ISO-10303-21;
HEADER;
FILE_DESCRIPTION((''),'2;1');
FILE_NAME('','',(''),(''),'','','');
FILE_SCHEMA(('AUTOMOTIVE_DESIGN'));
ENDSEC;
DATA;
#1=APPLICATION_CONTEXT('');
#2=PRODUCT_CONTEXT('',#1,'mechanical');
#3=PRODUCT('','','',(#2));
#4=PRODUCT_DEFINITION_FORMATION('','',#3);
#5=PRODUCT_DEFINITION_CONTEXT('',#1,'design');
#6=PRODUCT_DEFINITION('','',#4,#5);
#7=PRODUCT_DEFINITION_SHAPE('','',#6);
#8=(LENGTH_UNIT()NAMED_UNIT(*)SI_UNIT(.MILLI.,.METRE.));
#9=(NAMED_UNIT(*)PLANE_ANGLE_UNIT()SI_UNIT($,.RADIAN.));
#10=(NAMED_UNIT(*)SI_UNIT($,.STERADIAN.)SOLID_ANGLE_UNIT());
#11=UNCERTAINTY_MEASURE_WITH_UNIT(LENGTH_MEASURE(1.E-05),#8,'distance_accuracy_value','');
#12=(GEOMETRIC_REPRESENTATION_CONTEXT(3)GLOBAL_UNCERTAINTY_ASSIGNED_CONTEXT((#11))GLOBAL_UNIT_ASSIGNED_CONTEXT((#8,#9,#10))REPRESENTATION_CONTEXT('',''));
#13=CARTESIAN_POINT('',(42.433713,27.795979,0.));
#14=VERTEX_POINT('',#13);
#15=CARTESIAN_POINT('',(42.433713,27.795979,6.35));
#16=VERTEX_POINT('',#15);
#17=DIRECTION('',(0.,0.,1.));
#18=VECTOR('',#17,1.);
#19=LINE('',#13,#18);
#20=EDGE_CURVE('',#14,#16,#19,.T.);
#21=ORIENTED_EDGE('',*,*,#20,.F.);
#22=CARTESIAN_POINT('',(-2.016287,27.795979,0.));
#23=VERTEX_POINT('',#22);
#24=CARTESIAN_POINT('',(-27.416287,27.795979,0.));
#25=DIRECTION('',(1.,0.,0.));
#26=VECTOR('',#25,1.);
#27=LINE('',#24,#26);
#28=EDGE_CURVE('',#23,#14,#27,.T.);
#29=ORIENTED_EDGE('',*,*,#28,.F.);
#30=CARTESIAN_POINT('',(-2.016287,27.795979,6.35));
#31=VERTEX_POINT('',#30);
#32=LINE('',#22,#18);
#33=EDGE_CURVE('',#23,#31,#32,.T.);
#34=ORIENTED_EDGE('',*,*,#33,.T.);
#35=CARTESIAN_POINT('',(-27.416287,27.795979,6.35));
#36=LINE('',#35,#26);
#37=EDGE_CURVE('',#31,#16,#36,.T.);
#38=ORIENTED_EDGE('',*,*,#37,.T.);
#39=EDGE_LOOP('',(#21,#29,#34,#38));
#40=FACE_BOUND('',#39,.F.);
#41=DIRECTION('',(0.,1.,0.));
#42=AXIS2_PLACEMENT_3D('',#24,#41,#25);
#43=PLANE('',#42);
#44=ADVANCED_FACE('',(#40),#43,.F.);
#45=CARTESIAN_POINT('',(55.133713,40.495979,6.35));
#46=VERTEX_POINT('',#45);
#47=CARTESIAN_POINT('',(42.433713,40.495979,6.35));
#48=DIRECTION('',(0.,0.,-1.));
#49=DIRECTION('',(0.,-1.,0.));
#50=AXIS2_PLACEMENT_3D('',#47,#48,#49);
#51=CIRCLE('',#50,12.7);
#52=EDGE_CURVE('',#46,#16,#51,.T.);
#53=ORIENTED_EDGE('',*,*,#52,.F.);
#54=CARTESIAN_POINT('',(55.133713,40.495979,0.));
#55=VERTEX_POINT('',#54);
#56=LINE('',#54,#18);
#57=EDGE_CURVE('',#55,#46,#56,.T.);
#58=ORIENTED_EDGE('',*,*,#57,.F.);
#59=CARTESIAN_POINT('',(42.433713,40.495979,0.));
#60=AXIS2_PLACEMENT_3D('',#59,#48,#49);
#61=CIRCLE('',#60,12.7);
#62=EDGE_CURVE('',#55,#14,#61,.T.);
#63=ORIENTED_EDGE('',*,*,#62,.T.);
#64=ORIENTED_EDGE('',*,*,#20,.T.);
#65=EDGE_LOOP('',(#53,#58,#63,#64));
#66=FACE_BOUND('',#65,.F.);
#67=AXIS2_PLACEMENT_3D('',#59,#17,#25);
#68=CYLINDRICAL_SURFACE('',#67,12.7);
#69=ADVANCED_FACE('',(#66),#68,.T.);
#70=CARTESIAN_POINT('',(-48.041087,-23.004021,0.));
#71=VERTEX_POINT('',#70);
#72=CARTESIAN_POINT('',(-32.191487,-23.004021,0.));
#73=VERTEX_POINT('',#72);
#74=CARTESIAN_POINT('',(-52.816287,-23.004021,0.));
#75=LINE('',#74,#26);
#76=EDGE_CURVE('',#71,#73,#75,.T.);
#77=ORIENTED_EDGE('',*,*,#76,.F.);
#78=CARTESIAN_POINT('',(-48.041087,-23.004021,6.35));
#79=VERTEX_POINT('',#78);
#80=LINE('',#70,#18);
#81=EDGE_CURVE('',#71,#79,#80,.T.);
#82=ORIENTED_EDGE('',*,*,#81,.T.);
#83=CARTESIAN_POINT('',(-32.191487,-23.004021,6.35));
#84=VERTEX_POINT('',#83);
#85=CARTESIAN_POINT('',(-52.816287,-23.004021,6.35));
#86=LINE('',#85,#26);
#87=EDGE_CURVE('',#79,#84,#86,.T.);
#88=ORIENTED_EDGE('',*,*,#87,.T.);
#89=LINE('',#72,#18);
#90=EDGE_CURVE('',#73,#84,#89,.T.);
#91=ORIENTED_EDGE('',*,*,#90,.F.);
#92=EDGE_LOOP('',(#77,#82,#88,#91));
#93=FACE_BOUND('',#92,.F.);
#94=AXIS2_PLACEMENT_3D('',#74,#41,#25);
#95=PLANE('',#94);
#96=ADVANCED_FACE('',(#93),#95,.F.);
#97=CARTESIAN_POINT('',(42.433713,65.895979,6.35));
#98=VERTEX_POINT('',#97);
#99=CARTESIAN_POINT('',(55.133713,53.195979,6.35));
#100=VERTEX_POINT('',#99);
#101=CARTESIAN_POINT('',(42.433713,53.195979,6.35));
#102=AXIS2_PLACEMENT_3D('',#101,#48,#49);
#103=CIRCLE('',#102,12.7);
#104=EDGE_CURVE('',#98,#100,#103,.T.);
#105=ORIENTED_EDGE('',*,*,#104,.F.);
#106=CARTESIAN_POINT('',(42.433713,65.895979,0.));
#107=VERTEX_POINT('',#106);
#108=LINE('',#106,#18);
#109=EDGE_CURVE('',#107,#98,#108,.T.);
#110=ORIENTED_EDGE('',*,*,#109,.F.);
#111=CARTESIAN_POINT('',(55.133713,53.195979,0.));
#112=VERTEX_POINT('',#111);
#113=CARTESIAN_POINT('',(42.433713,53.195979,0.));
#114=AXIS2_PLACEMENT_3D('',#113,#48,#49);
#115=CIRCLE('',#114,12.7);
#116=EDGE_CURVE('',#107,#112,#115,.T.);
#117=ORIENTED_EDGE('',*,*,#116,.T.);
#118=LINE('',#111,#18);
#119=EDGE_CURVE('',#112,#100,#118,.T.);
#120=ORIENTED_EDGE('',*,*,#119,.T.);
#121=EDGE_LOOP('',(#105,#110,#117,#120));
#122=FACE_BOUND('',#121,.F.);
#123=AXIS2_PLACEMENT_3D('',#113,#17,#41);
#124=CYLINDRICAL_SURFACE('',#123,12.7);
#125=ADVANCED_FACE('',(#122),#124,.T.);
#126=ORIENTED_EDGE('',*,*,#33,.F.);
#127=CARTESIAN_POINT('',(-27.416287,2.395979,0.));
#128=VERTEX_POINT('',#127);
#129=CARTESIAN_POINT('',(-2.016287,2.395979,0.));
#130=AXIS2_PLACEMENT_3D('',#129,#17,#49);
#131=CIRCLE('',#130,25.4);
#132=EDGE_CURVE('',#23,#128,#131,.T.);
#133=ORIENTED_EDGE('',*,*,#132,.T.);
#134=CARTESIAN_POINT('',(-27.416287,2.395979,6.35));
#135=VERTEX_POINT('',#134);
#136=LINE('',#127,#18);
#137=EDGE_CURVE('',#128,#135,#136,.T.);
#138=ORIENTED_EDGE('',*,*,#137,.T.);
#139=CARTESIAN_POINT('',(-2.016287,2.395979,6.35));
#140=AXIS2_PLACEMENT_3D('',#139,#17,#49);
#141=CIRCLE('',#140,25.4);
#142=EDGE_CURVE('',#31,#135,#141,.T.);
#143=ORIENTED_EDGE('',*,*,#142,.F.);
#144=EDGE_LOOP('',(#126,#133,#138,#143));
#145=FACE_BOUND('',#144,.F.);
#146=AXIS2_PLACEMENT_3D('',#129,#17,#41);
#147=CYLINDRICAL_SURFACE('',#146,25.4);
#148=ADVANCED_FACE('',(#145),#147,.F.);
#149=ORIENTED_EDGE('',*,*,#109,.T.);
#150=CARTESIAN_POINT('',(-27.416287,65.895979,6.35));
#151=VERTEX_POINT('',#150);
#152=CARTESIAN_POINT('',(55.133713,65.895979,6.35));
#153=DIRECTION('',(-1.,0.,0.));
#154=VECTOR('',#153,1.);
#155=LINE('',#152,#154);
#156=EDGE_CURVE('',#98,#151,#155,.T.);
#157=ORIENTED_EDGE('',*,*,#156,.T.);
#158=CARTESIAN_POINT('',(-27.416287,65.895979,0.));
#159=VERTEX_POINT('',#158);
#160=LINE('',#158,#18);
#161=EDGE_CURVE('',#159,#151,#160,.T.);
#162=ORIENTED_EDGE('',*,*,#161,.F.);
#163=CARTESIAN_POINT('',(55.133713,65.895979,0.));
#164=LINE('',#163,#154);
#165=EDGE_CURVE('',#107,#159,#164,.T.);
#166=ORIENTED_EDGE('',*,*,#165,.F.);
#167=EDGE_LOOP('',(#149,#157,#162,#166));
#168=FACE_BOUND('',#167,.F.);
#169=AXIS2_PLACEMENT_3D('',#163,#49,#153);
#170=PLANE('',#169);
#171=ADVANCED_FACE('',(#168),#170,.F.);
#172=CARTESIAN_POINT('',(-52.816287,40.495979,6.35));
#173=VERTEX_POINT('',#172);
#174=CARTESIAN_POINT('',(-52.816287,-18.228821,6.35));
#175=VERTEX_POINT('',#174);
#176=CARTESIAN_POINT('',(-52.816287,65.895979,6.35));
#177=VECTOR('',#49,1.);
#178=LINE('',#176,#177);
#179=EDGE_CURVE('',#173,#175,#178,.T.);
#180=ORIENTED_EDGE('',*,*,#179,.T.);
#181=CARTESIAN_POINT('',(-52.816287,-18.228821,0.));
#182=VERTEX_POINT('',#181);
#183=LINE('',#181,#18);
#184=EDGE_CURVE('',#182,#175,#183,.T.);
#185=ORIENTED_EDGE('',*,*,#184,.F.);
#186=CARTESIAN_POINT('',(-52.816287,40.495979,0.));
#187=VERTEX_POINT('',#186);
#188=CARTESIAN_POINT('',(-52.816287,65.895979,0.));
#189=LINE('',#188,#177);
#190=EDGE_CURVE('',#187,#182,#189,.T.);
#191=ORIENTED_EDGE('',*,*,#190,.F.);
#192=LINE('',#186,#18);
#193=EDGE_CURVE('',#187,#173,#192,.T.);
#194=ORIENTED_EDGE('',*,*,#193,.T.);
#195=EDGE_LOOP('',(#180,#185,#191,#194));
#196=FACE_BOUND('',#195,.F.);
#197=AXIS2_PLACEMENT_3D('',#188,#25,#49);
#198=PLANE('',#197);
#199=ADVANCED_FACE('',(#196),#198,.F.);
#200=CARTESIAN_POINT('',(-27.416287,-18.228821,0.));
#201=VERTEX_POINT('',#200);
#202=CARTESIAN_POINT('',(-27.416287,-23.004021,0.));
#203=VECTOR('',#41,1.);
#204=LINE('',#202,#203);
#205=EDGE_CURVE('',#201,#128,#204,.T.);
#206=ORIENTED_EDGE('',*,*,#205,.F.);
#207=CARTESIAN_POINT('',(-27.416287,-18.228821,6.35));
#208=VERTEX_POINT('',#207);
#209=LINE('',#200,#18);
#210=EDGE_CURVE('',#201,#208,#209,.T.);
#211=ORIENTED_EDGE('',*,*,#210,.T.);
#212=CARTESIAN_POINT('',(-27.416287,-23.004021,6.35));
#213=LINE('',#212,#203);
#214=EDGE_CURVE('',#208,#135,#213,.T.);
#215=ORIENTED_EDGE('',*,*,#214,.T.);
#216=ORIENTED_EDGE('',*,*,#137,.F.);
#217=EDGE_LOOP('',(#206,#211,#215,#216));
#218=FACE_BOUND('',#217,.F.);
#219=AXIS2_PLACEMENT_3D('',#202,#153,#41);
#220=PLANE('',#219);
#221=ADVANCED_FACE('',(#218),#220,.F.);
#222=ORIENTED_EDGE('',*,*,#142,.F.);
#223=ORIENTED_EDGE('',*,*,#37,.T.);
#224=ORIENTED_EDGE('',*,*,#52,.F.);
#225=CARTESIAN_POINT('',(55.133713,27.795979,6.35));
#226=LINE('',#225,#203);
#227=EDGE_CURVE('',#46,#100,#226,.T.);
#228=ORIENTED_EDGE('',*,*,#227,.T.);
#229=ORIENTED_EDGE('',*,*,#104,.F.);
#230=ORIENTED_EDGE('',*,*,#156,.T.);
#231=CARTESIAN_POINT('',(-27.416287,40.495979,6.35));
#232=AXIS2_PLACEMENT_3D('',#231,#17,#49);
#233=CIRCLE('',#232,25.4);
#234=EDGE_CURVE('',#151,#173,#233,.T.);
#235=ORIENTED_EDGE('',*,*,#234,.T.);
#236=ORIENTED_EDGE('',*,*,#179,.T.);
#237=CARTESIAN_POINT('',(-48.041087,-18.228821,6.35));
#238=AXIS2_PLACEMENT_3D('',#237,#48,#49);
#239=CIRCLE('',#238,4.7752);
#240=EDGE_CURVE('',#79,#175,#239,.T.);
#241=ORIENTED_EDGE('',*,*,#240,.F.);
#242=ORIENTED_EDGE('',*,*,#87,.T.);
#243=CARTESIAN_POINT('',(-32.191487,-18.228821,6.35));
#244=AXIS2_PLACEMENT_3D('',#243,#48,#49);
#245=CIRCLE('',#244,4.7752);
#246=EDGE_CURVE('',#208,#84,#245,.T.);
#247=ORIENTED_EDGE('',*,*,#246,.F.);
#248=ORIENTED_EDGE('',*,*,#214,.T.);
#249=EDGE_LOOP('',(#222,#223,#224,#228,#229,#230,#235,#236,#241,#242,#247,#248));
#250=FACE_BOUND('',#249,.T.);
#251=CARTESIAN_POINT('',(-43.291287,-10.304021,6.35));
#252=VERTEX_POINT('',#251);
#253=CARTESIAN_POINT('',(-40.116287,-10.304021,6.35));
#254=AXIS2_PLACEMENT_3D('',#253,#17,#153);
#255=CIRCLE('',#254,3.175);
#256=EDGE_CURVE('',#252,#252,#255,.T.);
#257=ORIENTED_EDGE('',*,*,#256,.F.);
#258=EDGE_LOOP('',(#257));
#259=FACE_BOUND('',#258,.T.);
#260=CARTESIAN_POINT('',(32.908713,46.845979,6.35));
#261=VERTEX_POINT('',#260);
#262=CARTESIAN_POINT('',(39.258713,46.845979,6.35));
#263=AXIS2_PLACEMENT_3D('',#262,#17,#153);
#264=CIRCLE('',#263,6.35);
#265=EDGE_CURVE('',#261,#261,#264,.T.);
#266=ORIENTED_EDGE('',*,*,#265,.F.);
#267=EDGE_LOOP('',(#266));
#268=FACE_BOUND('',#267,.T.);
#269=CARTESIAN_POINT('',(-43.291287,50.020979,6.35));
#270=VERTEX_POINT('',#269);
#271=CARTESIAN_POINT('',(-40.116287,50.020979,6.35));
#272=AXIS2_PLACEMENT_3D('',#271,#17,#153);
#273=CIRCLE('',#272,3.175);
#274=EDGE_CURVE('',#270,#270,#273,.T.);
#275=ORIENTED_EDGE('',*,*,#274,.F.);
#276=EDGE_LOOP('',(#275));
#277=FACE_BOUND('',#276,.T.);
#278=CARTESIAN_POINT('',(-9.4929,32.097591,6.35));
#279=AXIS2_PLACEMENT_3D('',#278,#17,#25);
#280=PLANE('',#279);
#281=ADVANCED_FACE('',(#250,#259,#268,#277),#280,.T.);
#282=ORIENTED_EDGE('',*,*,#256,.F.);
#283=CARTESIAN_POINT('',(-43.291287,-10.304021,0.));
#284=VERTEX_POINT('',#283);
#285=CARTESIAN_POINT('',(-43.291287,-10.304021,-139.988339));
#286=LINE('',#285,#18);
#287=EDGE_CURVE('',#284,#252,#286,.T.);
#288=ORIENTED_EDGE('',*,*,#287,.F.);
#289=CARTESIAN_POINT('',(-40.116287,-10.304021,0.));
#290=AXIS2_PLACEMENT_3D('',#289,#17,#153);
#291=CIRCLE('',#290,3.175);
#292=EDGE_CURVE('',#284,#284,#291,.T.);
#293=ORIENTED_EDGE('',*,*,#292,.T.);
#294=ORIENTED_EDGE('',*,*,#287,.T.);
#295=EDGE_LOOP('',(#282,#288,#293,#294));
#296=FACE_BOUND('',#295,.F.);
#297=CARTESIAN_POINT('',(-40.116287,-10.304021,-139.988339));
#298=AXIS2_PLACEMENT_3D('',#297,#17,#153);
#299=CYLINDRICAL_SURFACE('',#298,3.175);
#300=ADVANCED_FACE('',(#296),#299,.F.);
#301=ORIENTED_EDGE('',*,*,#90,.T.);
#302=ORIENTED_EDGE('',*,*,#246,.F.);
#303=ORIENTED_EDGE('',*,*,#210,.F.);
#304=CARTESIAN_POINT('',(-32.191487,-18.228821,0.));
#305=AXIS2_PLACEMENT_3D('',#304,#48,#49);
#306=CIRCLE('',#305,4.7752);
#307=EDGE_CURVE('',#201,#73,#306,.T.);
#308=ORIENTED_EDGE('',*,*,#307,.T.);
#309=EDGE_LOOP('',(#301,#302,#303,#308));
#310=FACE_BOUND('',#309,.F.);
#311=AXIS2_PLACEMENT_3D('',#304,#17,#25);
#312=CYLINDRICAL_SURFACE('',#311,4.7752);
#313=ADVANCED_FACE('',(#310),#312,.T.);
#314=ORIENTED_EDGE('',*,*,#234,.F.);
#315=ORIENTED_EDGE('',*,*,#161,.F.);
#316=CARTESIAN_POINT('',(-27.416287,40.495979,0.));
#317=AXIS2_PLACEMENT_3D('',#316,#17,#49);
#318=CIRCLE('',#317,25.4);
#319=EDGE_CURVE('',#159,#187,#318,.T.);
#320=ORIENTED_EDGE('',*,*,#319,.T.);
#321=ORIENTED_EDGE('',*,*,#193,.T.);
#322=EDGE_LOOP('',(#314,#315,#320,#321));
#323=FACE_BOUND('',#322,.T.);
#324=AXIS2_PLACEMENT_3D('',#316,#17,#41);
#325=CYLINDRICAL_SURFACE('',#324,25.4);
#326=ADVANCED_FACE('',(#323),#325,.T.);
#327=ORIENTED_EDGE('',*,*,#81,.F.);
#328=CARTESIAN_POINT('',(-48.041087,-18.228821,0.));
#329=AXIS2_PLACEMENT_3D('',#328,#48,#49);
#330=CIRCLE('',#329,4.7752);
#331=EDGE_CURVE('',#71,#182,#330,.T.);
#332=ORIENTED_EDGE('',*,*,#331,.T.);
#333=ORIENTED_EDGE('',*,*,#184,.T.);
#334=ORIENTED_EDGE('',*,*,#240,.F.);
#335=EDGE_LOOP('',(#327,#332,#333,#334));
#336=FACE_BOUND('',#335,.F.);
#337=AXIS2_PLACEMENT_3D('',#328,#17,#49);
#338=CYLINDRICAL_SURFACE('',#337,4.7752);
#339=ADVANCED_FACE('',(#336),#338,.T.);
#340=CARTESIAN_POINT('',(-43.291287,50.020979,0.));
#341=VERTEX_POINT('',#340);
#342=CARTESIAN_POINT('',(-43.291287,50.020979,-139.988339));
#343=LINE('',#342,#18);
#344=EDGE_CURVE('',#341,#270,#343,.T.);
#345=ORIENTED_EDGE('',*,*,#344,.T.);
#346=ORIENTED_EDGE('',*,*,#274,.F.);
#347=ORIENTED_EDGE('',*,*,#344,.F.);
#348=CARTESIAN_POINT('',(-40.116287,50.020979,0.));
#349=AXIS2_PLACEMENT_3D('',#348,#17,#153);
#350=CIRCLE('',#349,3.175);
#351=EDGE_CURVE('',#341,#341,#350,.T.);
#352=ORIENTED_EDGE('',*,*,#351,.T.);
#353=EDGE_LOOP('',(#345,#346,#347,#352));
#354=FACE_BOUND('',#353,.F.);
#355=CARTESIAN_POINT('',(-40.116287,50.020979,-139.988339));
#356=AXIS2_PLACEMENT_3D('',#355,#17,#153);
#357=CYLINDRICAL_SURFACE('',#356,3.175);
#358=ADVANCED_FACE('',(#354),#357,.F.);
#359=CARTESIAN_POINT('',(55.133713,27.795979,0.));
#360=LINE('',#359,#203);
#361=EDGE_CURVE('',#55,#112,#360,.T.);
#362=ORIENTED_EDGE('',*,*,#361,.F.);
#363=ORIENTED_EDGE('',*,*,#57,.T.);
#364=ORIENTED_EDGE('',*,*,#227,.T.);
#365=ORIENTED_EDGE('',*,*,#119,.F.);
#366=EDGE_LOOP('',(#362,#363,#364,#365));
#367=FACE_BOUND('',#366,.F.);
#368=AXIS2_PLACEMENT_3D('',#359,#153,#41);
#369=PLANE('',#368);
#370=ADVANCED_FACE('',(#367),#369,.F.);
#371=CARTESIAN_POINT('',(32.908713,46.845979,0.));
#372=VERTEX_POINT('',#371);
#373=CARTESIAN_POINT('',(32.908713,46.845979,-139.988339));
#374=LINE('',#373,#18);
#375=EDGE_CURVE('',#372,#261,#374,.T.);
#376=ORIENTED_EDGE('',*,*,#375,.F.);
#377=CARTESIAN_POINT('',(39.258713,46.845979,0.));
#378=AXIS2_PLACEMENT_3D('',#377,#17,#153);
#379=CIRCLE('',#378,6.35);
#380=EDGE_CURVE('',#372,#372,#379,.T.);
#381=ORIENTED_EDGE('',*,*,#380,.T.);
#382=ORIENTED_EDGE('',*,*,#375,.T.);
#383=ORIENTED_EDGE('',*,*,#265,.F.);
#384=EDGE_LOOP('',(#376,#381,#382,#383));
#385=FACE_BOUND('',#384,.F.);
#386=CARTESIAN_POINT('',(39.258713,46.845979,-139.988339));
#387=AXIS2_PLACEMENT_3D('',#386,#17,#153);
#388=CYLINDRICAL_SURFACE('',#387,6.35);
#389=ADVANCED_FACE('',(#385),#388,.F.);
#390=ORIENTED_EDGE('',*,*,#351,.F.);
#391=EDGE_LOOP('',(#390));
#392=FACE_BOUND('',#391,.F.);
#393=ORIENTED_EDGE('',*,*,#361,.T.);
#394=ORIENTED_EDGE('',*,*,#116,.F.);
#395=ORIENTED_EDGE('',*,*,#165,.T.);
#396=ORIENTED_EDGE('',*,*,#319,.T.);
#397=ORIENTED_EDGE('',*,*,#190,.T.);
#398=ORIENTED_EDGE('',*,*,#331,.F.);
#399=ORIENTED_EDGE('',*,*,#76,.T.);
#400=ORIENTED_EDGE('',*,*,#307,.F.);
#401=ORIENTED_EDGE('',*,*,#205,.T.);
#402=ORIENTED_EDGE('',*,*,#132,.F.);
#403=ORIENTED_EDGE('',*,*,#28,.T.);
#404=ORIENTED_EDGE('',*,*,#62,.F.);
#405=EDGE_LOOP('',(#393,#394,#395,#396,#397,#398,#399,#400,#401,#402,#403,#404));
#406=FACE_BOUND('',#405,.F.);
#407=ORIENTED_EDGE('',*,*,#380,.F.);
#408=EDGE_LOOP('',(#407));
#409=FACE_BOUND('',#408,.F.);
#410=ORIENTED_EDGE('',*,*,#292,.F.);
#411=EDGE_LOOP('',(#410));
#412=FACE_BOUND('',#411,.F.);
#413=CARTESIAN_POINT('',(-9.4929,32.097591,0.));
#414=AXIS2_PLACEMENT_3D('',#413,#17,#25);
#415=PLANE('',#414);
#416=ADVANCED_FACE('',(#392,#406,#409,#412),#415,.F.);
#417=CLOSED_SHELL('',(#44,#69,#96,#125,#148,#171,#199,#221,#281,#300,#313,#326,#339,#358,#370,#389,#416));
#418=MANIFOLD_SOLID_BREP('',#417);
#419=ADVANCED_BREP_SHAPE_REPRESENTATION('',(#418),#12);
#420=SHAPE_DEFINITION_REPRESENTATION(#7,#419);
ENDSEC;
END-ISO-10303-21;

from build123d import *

# Parameters (mm, degrees)
F1_DEPTH = 6.35
F2_R     = 25.4
F3_R     = 12.7
F4_R     = 25.4
F5_R     = 4.7752
F7_D     = 12.7
F9_D     = 6.35
F11_D    = 6.35


with BuildPart() as f1:
    # F0 (on Top) → F1 (new body)
    with BuildSketch(Plane.XY):
        Polygon((55.1337133169, 65.8959785044), (-52.8162866831, 65.8959785044), (-52.8162866831, -23.0040214956), (-27.4162866831, -23.0040214956), (-27.4162866831, 27.7959785044), (55.1337133169, 27.7959785044), align=None)
    extrude(amount=F1_DEPTH)

    # F2
    f2_edges = [f1.edges().sort_by_distance(p)[0] for p in [
        (-52.816287, 65.895979, 3.175),
    ]]
    fillet(f2_edges, radius=F2_R)

    # F3
    f3_edges = [f1.edges().sort_by_distance(p)[0] for p in [
        (55.133713, 65.895979, 3.175),
        (55.133713, 27.795979, 3.175),
    ]]
    fillet(f3_edges, radius=F3_R)

    # F4
    f4_edges = [f1.edges().sort_by_distance(p)[0] for p in [
        (-27.416287, 27.795979, 3.175),
    ]]
    fillet(f4_edges, radius=F4_R)

    # F5
    f5_edges = [f1.edges().sort_by_distance(p)[0] for p in [
        (-27.416287, -23.004021, 3.175),
        (-52.816287, -23.004021, 3.175),
    ]]
    fillet(f5_edges, radius=F5_R)

    # F7 (through all)
    with Locations(Plane(origin=(0, 0, 0), x_dir=(1, 0, 0), z_dir=(0, 0, -1))):
        with Locations((39.2587133169, -46.8459785044)):
            Hole(F7_D / 2)

    # F9 (through all)
    with Locations(Plane(origin=(0, 0, 0), x_dir=(1, 0, 0), z_dir=(0, 0, -1))):
        with Locations((-40.1162866831, 10.3040214956)):
            Hole(F9_D / 2)

    # F11 (through all)
    with Locations(Plane(origin=(0, 0, 0), x_dir=(1, 0, 0), z_dir=(0, 0, -1))):
        with Locations((-40.1162866831, -50.0209785044)):
            Hole(F11_D / 2)


solid = f1.part
